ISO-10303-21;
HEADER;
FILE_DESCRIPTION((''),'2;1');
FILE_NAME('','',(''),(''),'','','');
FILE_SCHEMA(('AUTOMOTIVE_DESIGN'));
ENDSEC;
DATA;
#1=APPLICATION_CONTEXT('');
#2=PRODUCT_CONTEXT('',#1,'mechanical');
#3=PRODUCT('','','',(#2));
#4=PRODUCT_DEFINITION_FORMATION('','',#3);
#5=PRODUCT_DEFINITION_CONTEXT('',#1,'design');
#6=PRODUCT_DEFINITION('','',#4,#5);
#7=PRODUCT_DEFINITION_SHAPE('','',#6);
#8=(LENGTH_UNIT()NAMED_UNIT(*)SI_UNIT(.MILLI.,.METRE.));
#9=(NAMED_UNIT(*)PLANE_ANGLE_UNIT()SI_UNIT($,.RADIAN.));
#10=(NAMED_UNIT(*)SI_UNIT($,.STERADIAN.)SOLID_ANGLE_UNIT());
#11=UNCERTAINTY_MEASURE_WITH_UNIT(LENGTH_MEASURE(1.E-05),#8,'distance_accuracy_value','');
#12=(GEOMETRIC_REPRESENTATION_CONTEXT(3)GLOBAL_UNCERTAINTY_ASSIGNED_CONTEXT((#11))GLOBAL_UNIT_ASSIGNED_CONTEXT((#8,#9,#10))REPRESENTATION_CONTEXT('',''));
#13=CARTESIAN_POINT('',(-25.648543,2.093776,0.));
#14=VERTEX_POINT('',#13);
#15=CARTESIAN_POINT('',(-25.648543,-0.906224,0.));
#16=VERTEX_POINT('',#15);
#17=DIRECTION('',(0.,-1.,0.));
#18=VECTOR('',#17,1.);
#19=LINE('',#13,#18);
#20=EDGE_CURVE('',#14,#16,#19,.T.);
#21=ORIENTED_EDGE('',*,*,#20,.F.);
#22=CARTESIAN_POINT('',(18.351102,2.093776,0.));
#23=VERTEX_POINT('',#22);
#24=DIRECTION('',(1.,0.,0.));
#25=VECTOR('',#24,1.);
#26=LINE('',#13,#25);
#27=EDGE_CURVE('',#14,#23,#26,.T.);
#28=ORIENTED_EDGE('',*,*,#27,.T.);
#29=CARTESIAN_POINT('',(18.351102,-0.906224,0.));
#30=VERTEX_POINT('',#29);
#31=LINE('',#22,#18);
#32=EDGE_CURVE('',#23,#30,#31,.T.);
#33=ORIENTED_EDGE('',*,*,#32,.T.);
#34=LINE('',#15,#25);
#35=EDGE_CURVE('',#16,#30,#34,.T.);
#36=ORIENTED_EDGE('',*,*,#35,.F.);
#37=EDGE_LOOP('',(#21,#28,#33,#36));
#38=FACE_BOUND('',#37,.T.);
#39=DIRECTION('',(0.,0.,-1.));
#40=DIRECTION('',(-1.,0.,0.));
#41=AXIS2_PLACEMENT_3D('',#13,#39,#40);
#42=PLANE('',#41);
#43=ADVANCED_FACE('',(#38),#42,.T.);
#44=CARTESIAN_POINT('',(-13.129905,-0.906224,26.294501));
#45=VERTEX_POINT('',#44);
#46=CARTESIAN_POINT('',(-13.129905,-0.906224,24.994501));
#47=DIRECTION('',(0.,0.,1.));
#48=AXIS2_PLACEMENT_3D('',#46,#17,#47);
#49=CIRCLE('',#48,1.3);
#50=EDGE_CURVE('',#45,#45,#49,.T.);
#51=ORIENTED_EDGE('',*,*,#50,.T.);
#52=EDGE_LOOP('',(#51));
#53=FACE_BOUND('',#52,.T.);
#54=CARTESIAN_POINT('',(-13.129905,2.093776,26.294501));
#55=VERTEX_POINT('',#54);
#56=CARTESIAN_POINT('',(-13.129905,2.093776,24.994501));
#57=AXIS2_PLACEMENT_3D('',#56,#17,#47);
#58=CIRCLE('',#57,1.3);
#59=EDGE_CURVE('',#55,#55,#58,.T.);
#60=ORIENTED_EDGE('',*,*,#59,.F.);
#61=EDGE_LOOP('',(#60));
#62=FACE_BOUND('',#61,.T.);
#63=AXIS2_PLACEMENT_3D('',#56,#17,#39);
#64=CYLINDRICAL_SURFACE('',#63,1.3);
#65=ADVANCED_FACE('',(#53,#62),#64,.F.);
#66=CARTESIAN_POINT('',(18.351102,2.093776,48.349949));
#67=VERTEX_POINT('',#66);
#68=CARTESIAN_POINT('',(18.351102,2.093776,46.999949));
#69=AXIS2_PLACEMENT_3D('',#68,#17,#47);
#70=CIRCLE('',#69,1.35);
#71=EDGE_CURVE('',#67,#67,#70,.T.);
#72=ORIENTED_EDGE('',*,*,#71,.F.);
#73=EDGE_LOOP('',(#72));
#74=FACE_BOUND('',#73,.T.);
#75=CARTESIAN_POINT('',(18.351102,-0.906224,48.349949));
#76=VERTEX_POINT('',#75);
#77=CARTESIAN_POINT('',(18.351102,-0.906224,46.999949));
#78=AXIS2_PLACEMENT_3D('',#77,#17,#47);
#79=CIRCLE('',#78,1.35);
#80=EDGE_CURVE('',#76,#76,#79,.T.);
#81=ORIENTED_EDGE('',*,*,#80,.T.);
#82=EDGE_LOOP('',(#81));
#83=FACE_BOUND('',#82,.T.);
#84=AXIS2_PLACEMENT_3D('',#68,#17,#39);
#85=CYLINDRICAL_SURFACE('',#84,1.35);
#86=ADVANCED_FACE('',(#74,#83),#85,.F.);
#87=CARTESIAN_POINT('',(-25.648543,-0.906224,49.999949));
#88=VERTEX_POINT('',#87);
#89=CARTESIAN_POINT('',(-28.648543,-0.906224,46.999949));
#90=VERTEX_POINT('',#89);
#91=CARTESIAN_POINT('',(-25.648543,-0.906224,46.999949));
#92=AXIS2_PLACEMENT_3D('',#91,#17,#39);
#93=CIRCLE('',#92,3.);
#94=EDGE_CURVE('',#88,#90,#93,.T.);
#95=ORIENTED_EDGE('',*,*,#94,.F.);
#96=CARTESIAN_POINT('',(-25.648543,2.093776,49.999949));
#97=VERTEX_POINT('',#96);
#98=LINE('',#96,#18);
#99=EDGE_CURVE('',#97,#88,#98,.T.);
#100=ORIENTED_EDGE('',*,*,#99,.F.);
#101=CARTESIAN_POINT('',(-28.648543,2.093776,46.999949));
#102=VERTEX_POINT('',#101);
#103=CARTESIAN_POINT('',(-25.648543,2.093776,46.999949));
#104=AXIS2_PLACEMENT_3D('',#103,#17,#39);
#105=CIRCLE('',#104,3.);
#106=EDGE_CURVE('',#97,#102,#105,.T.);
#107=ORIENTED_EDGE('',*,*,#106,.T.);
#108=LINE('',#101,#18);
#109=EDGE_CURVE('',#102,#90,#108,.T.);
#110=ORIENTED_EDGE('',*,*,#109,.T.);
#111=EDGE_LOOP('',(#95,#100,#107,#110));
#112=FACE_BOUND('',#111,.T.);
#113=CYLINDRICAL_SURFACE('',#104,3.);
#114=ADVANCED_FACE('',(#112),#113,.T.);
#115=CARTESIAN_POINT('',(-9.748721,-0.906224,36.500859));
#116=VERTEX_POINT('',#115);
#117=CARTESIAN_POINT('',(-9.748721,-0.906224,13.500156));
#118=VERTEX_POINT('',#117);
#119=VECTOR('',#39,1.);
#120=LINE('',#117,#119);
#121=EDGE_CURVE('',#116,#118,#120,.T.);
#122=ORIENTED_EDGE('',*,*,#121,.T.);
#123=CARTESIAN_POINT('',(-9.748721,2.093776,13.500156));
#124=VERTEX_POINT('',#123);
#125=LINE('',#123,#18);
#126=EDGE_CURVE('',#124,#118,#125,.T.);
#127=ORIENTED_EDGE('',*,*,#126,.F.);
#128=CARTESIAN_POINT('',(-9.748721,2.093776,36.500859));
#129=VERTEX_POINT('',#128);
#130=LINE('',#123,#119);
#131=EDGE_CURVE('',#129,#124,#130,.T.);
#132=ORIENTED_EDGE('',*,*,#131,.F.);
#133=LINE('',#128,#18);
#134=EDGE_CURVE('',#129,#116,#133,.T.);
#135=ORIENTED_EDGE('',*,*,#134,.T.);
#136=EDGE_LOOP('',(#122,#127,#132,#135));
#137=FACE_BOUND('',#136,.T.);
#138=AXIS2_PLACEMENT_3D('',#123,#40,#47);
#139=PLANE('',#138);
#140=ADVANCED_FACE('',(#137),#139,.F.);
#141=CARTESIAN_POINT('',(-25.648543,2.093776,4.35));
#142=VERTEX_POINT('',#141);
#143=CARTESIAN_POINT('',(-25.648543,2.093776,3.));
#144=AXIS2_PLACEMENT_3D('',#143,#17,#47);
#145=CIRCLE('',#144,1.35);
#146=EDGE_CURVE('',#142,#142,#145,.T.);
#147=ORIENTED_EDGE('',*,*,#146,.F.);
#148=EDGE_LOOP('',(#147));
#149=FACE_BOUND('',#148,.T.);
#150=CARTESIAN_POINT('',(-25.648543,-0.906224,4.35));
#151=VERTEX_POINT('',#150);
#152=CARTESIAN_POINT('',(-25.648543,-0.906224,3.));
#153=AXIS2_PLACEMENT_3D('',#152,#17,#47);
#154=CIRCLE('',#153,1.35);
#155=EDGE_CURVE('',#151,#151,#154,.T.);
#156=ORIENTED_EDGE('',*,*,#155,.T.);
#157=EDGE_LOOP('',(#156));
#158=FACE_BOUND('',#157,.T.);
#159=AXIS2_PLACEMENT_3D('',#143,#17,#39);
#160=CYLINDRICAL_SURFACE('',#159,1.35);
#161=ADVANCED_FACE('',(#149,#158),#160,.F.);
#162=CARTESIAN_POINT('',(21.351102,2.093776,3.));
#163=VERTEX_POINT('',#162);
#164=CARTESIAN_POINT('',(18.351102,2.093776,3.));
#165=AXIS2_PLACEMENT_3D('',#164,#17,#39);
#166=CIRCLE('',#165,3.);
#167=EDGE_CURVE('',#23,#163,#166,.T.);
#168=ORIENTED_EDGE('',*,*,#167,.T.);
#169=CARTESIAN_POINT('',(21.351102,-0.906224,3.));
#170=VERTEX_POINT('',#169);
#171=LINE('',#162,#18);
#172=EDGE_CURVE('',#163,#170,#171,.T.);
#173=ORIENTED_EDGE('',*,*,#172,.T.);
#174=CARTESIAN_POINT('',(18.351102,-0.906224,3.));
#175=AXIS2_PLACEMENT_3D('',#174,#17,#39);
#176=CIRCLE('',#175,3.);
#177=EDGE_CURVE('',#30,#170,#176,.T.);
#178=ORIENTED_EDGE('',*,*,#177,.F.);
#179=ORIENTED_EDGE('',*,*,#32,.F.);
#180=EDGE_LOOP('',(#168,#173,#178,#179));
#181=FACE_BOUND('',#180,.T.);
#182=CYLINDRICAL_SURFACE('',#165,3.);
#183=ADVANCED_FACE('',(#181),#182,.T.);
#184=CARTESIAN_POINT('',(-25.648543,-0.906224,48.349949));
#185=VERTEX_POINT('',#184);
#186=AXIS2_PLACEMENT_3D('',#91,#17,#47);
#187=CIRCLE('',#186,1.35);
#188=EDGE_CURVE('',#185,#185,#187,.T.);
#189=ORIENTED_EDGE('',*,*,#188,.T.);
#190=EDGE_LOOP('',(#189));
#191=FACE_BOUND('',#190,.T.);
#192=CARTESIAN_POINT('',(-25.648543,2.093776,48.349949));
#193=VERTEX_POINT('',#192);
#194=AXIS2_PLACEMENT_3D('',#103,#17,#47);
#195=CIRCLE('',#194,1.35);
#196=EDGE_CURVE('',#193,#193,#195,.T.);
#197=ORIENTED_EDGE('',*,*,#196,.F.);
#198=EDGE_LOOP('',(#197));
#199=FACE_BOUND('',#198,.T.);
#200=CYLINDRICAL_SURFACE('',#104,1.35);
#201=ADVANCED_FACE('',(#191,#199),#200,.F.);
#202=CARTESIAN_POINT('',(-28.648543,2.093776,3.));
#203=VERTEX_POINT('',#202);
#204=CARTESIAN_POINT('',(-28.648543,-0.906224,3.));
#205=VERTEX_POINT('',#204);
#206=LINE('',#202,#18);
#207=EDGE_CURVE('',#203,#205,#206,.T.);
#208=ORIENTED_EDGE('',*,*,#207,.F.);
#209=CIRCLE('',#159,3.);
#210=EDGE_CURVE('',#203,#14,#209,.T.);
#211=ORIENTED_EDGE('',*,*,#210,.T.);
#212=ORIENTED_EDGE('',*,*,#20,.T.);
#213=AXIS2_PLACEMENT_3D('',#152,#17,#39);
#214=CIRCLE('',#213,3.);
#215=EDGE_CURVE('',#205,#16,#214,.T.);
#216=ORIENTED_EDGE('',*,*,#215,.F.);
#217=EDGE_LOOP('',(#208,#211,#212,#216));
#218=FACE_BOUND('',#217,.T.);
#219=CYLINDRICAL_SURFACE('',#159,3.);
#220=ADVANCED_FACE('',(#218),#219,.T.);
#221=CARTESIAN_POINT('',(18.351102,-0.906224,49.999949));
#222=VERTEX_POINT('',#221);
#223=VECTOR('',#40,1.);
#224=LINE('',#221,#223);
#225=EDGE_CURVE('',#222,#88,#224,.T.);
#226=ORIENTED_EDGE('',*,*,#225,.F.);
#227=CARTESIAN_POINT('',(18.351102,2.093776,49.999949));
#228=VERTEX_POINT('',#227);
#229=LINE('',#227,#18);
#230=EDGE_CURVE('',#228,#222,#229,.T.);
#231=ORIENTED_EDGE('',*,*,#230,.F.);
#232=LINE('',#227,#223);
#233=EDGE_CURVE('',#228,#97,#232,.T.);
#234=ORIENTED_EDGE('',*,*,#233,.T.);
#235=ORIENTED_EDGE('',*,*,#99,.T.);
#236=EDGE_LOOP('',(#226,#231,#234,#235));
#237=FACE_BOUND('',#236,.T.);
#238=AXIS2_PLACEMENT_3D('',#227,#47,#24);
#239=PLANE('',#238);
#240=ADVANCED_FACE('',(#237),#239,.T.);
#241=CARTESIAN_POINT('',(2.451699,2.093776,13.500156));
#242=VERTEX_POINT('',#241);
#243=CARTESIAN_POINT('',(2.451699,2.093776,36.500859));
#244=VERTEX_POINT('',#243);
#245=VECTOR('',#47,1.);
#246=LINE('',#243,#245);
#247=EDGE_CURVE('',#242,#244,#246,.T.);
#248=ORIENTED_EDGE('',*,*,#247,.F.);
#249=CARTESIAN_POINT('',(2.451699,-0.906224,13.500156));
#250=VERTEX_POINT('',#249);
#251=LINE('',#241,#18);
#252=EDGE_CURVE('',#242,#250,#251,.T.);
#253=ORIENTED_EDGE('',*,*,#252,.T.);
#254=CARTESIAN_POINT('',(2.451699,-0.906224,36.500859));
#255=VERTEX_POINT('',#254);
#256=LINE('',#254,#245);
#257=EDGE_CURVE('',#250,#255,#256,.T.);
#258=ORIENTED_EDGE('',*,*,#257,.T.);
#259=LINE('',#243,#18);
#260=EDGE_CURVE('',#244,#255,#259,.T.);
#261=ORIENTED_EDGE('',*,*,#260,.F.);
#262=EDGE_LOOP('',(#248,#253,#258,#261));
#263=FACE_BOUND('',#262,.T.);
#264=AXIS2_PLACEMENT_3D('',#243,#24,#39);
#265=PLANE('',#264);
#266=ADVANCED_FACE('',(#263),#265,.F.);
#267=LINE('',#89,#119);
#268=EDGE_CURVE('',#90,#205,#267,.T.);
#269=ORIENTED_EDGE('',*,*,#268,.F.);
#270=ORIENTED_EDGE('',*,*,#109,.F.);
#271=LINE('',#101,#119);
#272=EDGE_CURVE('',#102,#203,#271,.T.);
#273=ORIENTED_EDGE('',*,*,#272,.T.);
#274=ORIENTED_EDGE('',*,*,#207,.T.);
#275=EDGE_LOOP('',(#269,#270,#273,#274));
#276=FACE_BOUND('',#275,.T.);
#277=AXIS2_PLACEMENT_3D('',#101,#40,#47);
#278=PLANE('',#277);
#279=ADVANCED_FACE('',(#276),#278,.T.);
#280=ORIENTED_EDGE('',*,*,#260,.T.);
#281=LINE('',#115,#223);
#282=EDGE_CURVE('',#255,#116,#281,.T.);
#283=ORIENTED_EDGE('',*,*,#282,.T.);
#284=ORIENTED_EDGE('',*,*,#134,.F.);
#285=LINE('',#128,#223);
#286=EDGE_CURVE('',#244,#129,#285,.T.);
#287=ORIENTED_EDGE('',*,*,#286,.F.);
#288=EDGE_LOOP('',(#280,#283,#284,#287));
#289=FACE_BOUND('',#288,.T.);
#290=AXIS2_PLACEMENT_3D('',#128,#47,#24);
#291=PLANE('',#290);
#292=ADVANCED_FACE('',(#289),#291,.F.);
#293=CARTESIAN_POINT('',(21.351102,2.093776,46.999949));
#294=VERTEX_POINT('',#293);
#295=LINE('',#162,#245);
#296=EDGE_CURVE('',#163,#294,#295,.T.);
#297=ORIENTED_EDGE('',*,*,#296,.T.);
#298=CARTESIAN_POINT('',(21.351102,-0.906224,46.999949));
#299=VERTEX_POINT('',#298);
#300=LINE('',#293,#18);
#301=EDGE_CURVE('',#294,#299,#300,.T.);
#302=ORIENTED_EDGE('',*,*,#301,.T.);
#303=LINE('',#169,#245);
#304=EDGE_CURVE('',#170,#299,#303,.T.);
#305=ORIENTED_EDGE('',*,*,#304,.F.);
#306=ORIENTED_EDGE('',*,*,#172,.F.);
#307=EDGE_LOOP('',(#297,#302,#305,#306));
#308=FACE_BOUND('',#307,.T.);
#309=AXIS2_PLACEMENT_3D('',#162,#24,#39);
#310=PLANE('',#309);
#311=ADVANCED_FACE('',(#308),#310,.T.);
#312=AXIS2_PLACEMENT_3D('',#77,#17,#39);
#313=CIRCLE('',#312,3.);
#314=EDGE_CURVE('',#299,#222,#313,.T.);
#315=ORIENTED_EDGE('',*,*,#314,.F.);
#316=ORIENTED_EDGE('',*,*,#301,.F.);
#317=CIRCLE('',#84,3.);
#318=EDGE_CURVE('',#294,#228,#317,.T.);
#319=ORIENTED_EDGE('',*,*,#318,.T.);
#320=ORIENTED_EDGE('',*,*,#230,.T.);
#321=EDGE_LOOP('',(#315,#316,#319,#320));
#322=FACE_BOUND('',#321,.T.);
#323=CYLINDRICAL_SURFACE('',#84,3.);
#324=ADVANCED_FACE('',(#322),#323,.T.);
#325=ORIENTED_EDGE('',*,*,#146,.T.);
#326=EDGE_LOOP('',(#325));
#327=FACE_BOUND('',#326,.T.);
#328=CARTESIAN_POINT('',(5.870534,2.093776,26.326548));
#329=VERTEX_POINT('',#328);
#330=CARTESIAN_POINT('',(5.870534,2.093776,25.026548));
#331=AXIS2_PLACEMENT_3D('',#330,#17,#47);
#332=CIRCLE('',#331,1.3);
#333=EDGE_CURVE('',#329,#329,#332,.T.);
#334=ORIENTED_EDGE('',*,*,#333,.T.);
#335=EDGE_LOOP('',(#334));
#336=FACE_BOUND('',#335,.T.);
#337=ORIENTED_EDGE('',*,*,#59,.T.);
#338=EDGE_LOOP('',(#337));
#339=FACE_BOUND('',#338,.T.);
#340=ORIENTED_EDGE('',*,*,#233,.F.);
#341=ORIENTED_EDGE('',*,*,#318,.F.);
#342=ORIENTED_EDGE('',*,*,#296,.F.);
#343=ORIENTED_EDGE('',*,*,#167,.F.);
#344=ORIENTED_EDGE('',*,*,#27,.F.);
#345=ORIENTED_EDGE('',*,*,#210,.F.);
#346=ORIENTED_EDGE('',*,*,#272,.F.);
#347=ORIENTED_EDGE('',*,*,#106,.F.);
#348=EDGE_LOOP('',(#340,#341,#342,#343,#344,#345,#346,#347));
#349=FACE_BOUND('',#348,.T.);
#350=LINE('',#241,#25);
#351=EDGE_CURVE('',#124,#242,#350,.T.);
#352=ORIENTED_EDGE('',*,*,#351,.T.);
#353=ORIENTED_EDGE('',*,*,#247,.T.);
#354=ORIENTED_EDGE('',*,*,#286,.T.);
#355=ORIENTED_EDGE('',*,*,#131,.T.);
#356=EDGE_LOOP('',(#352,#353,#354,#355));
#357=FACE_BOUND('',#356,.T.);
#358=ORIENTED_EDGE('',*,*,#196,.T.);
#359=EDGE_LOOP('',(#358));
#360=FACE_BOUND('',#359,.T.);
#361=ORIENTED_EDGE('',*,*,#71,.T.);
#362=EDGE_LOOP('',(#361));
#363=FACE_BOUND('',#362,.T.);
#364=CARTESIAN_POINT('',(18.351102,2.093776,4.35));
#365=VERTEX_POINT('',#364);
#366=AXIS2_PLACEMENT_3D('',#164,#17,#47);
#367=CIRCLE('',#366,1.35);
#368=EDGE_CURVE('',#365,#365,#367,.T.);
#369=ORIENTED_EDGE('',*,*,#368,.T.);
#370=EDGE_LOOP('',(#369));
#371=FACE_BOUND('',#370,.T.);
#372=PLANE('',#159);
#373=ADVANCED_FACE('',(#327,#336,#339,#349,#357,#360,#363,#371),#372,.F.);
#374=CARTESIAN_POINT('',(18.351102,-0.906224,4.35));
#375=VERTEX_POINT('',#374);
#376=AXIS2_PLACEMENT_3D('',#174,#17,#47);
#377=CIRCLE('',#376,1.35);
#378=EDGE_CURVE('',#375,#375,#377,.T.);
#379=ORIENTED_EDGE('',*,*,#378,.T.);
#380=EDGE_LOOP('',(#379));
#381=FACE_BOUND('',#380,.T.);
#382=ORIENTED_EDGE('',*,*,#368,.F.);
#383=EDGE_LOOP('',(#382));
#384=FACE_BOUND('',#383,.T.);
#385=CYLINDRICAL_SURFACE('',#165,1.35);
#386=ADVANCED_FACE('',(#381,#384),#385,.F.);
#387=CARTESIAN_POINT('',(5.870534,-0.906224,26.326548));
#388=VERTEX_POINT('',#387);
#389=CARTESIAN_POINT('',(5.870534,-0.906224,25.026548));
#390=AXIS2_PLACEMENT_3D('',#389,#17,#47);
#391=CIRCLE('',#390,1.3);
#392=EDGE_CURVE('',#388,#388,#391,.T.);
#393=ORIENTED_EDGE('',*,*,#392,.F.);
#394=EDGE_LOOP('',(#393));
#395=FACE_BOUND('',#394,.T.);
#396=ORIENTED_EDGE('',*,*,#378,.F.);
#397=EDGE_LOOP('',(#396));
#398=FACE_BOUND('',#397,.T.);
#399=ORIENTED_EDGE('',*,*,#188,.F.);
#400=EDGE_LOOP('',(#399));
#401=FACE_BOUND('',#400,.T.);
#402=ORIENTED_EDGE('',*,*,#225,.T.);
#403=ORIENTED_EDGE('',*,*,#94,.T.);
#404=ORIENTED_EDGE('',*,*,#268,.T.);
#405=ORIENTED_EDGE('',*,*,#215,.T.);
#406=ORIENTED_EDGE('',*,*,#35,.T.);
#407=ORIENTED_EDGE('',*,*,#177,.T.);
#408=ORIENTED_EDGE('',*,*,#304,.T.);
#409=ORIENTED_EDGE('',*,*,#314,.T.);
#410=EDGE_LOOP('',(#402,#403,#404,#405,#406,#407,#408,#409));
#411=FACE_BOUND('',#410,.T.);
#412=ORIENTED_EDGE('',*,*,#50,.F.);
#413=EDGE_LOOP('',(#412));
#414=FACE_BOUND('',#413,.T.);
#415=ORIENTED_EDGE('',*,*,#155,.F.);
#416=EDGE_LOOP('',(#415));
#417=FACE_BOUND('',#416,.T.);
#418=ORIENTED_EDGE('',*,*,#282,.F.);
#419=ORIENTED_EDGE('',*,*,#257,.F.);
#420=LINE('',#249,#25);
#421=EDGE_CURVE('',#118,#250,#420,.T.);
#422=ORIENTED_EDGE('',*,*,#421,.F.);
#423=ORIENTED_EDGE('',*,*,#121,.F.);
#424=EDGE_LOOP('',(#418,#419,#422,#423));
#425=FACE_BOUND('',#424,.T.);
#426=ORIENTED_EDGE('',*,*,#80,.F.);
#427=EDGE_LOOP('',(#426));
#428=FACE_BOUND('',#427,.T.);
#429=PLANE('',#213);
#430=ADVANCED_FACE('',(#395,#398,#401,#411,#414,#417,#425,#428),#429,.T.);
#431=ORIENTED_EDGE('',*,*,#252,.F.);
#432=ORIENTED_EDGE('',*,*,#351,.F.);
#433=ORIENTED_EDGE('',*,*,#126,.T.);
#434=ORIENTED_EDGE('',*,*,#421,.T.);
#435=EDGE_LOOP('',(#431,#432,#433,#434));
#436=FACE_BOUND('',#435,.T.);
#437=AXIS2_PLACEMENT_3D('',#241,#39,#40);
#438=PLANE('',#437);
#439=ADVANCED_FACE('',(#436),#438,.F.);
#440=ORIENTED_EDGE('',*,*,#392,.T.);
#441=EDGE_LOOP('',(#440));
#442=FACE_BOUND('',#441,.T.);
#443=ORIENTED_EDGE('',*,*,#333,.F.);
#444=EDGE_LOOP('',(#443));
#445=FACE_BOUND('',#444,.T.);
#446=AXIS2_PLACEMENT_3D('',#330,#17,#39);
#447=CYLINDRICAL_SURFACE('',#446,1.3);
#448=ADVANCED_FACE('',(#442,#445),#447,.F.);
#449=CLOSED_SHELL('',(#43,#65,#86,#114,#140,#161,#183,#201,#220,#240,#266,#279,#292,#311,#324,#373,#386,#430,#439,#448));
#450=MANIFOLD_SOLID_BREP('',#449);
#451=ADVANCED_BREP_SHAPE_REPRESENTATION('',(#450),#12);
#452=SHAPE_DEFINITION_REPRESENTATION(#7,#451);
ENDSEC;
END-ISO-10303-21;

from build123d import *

# Parameters (mm, degrees)
SKETCH_1_R      = 1.35
SKETCH_1_R_2    = 1.3
SKETCH_1_W      = 12.200420097
SKETCH_1_H      = 23.000703054
EXTRUDE_1_DEPTH = 3


with BuildPart() as part:
    # 草图1 → 凸台-拉伸1 (new body)
    with BuildSketch(Plane.XZ.offset(0.906223555)):
        with BuildLine():
            Line((-25.648543234, 0), (18.351102305, 0))
            ThreePointArc((18.351102305, 0), (20.472422649, 0.878679656), (21.351102305, 3))
            Line((21.351102305, 3), (21.351102305, 46.999948986))
            ThreePointArc((21.351102305, 46.999948986), (20.472422649, 49.12126933), (18.351102305, 49.999948986))
            Line((18.351102305, 49.999948986), (-25.648543234, 49.999948986))
            ThreePointArc((-25.648543234, 49.999948986), (-27.769863578, 49.12126933), (-28.648543234, 46.999948986))
            Line((-28.648543234, 46.999948986), (-28.648543234, 3))
            ThreePointArc((-28.648543234, 3), (-27.769863578, 0.878679656), (-25.648543234, 0))
        make_face()
        with Locations(Location((18.351102305, 46.999948986, 0), (0, 0, 90))):
            Circle(SKETCH_1_R, mode=Mode.SUBTRACT)
        with Locations(Location((-25.648543234, 3, 0), (0, 0, 90))):
            Circle(SKETCH_1_R, mode=Mode.SUBTRACT)
        with Locations(Location((-25.648543234, 46.999948986, 0), (0, 0, 90))):
            Circle(SKETCH_1_R, mode=Mode.SUBTRACT)
        with Locations(Location((18.351102305, 3, 0), (0, 0, 90))):
            Circle(SKETCH_1_R, mode=Mode.SUBTRACT)
        with Locations(Location((5.870533839, 25.026548182, 0), (0, 0, 90))):
            Circle(SKETCH_1_R_2, mode=Mode.SUBTRACT)
        with Locations(Location((-13.129904617, 24.994501462, 0), (0, 0, 90))):
            Circle(SKETCH_1_R_2, mode=Mode.SUBTRACT)
        with Locations((-3.648510984, 25.000507943)):
            Rectangle(SKETCH_1_W, SKETCH_1_H, mode=Mode.SUBTRACT)
    extrude(amount=-EXTRUDE_1_DEPTH)


solid = part.part
